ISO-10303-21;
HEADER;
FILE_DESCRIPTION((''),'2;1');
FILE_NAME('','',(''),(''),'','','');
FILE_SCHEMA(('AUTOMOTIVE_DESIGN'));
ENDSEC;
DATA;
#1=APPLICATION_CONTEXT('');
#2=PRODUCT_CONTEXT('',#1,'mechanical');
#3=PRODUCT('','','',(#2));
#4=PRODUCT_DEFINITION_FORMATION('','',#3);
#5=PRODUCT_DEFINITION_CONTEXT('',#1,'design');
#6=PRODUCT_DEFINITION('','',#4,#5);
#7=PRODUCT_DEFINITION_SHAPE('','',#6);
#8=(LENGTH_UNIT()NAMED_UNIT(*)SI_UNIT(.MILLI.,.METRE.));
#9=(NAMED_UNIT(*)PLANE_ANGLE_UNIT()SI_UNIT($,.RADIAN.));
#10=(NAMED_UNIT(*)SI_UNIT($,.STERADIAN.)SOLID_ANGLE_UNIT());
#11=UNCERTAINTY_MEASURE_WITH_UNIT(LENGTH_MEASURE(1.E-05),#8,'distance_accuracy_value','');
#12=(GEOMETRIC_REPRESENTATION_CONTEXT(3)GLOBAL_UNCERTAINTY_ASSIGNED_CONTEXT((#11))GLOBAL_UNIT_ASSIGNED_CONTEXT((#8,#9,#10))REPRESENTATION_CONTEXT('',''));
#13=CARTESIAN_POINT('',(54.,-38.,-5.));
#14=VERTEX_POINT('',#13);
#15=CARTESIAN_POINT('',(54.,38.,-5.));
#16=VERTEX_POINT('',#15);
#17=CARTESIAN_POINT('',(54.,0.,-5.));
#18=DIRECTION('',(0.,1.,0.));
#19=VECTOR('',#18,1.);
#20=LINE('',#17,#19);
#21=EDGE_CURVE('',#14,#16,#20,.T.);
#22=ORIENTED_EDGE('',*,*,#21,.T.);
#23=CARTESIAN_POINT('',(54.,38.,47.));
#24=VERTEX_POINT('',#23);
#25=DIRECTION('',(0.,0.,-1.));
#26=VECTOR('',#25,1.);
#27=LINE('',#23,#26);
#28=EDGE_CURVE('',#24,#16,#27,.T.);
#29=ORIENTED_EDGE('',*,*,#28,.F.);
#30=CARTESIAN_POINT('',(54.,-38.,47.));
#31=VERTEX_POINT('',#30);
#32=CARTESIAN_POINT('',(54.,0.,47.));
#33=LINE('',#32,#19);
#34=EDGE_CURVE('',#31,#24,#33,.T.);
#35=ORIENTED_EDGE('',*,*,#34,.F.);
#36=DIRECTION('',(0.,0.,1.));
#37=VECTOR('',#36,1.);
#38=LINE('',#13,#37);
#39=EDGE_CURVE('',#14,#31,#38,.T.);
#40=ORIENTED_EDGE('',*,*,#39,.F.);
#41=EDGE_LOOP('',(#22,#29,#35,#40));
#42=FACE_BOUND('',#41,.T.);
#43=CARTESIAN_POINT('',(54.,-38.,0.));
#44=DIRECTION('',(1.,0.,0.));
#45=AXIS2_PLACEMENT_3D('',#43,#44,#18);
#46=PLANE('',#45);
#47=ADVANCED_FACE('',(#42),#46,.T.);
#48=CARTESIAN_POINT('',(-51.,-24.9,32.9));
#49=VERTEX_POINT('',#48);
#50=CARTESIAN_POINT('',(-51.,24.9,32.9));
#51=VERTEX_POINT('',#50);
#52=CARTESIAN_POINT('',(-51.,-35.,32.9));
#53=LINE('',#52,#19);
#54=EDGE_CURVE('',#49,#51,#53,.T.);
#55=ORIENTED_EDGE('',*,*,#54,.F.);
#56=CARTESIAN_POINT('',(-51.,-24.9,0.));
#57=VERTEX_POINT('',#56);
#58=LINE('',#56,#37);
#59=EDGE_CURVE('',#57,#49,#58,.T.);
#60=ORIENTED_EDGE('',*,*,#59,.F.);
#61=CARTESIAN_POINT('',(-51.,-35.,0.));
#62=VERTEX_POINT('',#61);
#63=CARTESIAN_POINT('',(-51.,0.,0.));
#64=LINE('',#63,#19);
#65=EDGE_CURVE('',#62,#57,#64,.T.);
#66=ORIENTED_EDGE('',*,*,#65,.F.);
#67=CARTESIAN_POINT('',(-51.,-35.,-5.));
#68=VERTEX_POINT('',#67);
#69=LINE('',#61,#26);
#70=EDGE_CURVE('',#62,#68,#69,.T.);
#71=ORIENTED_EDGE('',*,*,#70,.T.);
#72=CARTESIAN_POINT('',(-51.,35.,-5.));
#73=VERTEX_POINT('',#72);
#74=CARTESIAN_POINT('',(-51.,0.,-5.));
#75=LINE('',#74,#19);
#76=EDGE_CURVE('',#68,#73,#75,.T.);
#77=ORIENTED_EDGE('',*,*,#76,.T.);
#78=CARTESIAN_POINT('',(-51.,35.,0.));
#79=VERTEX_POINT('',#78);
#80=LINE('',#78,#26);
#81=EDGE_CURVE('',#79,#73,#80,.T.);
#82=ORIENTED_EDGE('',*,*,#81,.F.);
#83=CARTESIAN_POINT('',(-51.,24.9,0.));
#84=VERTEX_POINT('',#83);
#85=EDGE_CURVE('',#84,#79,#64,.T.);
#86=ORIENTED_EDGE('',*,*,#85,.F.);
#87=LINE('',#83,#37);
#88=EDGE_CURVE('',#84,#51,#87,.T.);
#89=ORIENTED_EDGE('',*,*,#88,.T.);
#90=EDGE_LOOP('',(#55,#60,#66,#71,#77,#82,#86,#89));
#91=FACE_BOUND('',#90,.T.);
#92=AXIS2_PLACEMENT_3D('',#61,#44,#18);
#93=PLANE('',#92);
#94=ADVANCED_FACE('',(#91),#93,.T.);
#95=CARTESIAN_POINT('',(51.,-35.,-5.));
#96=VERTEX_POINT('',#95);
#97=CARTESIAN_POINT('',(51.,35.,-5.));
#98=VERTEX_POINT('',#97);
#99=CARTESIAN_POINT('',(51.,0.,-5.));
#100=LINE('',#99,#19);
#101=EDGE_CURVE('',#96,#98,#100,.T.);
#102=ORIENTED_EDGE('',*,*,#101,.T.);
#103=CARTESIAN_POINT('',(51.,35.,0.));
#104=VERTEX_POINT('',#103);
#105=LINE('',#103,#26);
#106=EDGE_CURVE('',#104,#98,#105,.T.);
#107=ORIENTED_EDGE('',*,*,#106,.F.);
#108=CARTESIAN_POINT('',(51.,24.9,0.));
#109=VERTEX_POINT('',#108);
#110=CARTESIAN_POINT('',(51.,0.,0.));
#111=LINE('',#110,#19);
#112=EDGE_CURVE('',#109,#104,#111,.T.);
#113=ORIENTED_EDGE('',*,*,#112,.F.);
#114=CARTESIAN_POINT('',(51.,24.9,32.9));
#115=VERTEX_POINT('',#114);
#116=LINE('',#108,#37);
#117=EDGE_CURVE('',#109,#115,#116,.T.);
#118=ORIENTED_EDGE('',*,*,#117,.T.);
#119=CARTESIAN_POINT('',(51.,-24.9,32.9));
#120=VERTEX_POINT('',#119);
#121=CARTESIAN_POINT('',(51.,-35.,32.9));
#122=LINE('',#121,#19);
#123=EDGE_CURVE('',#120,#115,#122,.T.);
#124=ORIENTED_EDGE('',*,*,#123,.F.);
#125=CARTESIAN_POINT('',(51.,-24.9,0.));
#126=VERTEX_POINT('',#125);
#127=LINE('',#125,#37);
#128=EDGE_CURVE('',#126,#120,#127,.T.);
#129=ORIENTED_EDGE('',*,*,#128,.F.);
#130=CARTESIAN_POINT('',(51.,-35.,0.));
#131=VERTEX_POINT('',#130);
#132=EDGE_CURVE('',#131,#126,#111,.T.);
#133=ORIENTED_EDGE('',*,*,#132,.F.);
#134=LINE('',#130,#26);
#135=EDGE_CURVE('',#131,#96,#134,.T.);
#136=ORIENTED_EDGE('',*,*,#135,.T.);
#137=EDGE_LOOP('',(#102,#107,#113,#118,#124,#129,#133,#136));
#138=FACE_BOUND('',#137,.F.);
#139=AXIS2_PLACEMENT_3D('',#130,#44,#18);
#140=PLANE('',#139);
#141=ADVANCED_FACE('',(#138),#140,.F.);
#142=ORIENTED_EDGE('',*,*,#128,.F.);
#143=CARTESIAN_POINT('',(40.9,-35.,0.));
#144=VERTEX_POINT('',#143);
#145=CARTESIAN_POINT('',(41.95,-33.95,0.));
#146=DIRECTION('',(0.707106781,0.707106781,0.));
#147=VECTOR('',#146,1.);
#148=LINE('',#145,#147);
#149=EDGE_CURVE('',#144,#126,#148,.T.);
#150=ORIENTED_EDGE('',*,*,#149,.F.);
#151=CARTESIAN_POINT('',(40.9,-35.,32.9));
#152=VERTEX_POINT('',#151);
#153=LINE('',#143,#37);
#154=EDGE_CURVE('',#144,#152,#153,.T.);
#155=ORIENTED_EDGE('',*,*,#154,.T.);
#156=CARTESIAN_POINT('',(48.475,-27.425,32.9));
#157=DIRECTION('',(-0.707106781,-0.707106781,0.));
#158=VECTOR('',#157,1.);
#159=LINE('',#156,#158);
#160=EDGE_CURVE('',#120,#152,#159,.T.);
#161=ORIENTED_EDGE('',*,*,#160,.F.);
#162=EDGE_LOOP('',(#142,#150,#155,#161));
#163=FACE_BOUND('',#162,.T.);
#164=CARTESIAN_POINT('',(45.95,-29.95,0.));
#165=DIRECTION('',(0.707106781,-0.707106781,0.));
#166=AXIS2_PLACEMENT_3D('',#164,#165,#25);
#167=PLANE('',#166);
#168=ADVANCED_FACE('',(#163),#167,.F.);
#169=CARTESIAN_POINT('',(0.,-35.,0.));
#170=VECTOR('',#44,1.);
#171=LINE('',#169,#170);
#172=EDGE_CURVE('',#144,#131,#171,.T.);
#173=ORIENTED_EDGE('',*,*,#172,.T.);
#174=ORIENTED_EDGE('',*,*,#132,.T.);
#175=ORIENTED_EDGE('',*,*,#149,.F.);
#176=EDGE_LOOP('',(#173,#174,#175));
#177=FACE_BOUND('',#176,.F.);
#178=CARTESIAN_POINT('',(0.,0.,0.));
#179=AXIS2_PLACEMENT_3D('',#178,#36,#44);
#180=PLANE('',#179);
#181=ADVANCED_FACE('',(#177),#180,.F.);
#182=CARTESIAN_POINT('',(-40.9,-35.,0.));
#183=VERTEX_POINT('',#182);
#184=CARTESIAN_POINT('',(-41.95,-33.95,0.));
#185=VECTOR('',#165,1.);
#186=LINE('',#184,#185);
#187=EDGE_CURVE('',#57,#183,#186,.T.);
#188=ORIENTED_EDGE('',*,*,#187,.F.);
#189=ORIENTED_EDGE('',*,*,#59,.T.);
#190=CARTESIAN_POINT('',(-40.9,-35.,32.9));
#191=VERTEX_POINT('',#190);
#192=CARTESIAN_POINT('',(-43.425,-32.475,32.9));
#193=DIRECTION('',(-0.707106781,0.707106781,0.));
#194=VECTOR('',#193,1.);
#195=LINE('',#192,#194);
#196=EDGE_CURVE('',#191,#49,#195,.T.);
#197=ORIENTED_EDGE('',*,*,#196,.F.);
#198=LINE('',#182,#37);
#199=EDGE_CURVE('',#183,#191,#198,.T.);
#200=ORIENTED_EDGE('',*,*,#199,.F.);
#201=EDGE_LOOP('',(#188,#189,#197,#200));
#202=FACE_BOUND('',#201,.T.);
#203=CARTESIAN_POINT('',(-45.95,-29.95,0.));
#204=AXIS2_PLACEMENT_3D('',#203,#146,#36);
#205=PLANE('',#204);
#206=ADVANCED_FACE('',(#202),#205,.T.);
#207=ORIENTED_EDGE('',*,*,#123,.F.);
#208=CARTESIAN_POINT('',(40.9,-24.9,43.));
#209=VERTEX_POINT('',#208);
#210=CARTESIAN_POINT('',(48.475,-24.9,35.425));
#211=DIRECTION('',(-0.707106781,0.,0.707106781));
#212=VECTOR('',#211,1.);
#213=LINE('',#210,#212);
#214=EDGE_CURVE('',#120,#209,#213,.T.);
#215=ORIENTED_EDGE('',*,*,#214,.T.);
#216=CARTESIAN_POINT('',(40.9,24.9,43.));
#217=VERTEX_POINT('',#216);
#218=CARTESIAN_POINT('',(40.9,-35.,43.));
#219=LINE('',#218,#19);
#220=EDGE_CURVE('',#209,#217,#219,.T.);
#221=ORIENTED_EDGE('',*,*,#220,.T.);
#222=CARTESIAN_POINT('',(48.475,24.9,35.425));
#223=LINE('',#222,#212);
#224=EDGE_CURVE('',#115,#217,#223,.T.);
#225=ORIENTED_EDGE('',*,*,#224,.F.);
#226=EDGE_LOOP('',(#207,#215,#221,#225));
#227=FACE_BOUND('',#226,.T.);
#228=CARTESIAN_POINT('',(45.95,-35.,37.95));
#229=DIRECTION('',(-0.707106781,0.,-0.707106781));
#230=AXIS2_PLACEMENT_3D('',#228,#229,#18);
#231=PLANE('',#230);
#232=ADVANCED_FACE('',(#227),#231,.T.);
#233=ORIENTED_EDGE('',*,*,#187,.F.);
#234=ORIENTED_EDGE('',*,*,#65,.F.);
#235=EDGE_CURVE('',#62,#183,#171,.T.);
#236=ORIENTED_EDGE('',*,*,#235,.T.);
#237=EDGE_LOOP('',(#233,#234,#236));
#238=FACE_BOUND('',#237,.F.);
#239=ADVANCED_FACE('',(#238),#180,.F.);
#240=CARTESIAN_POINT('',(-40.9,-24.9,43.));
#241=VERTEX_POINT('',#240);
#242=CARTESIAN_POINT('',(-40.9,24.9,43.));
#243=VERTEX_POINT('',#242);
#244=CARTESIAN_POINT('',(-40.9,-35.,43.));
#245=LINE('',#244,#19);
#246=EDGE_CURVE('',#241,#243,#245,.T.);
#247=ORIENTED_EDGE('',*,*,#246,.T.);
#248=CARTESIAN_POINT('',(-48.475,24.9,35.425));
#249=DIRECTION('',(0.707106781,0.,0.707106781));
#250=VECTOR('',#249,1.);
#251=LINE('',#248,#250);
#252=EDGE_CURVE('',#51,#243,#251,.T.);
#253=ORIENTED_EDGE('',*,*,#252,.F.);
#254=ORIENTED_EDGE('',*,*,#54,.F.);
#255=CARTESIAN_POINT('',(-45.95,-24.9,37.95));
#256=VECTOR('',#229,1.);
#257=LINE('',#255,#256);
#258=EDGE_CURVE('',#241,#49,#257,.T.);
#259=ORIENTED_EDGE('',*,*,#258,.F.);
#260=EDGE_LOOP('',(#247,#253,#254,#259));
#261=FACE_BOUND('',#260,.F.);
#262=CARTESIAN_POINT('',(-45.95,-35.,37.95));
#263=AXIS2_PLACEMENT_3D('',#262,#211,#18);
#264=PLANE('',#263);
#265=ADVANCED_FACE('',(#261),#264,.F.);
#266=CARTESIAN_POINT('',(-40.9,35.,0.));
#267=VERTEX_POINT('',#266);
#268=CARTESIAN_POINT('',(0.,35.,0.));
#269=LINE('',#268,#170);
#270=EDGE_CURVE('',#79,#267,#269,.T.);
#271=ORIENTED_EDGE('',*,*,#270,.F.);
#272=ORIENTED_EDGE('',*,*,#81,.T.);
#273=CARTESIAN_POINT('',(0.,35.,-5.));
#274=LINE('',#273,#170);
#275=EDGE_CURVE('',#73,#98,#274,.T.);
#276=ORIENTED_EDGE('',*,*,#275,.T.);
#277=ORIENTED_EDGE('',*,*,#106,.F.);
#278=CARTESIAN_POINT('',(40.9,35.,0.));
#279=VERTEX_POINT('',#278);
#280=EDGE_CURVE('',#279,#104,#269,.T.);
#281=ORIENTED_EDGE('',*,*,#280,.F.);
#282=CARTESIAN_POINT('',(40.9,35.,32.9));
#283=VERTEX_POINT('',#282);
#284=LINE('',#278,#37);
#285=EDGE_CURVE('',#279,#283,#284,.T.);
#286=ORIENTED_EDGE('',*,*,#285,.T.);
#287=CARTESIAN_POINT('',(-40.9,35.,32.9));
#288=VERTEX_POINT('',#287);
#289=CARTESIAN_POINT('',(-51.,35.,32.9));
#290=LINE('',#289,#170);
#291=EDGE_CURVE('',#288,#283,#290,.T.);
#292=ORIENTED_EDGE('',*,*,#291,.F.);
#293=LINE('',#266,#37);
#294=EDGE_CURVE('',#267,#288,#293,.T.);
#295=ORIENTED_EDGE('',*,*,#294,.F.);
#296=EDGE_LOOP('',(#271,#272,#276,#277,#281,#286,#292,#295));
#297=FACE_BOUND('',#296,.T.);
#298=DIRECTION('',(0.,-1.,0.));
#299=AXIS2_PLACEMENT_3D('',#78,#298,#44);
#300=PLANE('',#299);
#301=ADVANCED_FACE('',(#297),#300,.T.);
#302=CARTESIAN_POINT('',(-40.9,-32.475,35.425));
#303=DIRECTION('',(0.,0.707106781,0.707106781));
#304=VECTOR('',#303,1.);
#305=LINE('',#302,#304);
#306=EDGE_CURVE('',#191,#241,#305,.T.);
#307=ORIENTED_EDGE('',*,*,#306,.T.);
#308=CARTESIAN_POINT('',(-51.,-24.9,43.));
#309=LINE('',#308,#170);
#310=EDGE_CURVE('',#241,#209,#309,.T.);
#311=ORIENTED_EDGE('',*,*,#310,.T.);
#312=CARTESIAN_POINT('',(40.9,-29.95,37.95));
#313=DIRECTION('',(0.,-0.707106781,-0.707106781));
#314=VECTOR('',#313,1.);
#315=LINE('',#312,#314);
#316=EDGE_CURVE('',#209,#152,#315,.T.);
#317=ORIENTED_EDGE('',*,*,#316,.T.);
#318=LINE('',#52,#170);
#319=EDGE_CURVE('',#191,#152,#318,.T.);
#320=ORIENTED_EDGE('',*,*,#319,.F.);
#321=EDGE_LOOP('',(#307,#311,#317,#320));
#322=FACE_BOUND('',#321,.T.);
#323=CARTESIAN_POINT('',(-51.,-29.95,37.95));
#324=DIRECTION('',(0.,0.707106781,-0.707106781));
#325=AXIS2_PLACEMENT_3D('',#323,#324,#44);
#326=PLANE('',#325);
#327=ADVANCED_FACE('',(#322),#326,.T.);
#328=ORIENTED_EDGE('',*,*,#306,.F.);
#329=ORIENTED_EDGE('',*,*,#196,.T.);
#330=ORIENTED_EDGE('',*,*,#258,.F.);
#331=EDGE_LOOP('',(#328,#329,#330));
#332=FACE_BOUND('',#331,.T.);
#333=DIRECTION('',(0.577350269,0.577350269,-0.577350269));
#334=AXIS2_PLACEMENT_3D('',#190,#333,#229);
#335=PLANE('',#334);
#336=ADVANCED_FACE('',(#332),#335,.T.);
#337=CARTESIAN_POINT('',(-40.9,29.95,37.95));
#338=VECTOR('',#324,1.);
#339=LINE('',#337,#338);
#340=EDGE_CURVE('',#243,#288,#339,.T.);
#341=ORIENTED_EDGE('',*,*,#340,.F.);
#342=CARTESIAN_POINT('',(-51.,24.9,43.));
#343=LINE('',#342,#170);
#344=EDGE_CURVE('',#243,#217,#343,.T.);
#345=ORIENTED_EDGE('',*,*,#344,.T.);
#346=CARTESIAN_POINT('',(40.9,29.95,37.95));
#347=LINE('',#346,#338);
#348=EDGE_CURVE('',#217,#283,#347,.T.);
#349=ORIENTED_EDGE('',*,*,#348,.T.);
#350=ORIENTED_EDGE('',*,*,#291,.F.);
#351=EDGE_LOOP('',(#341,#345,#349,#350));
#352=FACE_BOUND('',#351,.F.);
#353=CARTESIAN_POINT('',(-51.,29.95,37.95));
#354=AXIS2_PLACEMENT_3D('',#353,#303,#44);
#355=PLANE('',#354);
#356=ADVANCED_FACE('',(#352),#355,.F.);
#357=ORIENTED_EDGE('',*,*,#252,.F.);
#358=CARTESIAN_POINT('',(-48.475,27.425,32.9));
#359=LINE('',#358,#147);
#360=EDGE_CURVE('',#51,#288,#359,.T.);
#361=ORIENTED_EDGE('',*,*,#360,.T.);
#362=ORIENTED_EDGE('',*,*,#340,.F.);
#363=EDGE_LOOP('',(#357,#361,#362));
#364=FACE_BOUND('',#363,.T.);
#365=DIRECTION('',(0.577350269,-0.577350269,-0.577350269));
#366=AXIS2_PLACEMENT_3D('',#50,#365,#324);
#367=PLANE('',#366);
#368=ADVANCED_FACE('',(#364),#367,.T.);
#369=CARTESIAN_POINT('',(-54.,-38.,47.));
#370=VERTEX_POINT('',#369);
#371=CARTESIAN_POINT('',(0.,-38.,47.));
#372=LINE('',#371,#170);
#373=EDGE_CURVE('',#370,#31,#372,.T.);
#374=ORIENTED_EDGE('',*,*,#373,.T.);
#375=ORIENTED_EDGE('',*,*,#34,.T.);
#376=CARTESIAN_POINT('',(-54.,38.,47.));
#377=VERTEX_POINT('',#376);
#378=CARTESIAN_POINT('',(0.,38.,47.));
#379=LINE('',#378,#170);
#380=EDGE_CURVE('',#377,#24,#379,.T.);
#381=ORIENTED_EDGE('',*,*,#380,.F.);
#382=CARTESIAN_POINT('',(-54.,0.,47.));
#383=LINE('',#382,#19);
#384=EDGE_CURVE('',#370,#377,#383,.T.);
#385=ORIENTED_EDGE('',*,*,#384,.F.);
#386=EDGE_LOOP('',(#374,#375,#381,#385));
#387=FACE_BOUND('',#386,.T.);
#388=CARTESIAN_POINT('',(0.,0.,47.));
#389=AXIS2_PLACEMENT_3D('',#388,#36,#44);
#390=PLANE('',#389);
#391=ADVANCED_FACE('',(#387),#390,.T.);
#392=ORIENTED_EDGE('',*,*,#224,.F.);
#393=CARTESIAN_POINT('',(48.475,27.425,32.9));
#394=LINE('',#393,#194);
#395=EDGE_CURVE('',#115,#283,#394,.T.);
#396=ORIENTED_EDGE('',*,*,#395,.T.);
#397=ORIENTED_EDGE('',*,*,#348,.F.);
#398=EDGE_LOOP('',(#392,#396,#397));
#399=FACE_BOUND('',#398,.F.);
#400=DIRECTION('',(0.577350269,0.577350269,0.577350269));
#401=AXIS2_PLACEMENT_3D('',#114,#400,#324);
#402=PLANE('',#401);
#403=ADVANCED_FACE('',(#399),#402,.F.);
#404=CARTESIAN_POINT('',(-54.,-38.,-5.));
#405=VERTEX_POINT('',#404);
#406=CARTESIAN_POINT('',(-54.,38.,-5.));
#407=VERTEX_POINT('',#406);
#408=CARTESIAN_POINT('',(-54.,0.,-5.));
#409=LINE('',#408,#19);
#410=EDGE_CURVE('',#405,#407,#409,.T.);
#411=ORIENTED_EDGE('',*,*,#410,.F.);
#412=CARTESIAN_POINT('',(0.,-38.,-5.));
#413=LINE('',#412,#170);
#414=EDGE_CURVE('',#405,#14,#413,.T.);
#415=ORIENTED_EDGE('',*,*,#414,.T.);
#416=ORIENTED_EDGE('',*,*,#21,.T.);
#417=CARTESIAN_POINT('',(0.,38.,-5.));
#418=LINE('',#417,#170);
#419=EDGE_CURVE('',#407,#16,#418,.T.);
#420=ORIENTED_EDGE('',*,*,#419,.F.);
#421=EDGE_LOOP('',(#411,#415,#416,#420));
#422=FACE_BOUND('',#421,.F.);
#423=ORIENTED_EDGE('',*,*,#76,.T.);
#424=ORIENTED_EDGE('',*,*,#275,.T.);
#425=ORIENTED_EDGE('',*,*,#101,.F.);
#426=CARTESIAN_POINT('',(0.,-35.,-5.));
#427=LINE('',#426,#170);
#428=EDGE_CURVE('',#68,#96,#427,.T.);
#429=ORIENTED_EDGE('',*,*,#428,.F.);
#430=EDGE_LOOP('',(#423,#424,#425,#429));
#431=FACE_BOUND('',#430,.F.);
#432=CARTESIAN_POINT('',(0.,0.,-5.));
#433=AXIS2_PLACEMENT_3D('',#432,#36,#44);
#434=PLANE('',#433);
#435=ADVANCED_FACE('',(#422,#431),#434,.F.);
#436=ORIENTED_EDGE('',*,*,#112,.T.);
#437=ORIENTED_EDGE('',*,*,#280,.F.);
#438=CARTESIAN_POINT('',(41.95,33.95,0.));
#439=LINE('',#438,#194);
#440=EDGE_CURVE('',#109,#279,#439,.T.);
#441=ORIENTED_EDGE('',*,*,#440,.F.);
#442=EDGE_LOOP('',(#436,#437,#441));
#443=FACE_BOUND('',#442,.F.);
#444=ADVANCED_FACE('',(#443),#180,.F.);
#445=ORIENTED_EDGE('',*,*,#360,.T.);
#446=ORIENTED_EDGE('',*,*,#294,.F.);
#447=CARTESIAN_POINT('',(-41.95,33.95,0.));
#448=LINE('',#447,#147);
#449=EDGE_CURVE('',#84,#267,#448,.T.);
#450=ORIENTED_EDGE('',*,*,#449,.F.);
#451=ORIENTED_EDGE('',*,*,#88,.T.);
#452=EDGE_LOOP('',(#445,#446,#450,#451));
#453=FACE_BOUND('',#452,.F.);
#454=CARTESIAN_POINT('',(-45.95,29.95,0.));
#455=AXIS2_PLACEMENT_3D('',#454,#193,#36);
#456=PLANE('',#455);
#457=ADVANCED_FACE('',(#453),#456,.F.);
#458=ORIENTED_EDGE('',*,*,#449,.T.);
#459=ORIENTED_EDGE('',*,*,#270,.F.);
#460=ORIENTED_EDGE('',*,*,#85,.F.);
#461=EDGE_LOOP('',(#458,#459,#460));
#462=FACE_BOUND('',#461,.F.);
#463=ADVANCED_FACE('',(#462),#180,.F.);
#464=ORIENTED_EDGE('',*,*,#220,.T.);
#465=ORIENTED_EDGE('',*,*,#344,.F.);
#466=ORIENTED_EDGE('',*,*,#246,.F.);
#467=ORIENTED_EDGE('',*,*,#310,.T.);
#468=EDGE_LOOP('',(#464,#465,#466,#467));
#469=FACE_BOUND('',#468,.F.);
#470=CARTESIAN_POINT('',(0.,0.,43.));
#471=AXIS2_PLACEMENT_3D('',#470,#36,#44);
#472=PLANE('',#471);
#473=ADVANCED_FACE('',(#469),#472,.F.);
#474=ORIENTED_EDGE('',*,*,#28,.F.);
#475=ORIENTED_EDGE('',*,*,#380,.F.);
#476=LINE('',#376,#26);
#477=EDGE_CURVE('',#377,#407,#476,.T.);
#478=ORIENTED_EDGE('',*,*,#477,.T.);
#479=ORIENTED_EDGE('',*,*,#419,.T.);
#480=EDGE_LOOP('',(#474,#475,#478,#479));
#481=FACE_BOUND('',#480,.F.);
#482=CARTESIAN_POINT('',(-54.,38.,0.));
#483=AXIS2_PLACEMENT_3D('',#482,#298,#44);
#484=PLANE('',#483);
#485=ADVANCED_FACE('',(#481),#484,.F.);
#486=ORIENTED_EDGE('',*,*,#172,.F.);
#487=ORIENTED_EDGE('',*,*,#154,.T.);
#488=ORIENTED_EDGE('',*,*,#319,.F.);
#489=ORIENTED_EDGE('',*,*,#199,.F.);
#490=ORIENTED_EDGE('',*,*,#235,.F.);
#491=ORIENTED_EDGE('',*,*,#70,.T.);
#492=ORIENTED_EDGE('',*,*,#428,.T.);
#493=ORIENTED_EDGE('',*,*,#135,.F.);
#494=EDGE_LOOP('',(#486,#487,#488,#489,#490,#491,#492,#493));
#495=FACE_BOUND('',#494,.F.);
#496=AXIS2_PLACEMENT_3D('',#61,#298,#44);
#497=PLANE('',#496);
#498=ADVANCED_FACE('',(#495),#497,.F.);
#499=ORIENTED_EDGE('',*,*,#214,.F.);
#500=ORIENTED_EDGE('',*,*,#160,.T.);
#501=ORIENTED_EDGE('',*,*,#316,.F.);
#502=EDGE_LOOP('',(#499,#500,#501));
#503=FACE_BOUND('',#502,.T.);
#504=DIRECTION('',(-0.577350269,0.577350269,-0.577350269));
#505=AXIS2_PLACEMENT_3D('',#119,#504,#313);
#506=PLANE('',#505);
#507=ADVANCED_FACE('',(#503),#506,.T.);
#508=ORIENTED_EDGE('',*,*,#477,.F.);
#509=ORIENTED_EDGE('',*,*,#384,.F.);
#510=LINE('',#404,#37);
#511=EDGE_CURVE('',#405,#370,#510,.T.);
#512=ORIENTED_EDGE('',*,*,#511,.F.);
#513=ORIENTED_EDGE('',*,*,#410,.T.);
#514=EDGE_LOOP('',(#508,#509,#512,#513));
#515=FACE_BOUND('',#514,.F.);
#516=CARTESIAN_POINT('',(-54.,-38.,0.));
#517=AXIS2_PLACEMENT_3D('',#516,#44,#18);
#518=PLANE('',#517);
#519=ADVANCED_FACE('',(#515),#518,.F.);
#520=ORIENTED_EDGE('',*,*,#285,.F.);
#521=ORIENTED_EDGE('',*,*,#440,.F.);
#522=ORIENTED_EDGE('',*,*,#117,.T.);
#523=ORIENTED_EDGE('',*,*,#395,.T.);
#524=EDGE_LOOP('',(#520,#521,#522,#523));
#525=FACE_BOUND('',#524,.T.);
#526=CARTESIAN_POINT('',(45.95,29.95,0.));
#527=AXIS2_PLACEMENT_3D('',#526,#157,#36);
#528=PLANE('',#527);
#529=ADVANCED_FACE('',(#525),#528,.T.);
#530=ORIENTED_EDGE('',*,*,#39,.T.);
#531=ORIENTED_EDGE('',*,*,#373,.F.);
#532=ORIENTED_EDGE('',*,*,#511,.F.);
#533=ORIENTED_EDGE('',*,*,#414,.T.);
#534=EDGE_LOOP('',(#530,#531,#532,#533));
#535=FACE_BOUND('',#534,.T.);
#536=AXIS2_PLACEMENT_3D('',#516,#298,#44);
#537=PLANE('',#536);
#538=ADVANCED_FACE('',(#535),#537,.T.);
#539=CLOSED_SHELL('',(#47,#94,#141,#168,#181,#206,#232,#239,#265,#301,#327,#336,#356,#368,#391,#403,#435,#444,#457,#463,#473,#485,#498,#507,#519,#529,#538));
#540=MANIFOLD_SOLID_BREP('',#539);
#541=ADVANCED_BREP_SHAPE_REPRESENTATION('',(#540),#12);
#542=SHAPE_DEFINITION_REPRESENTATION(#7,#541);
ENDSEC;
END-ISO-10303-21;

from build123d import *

# Parameters (mm, degrees)
F0_W     = 108
F0_H     = 76
F0_W_2   = 102
F0_H_2   = 70
F1_DEPTH = 47
F2_START = 43
F2_DEPTH = 4
F3_SIZE  = 10.1
F4_DEPTH = 5


with BuildPart() as f1:
    # F0 (on Top) → F1 (new body)
    with BuildSketch(Plane.XY):
        Rectangle(F0_W, F0_H)
        Rectangle(F0_W_2, F0_H_2, mode=Mode.SUBTRACT)
    extrude(amount=F1_DEPTH)

    # F0 (on Top) → F2 (join)
    with BuildSketch(Plane.XY.offset(F2_START)):
        Rectangle(F0_W_2, F0_H_2)
    extrude(amount=F2_DEPTH)

    # F3
    f3_edges = [f1.edges().sort_by_distance(p)[0] for p in [
        (0, 35, 43),
        (-51, 0, 43),
        (0, -35, 43),
        (51, 0, 43),
        (51, 35, 21.5),
        (-51, 35, 21.5),
        (-51, -35, 21.5),
        (51, -35, 21.5),
    ]]
    chamfer(f3_edges, length=F3_SIZE)

    # F0 (on Top) → F4 (join)
    with BuildSketch(Plane.XY):
        Rectangle(F0_W, F0_H)
        Rectangle(F0_W_2, F0_H_2, mode=Mode.SUBTRACT)
    extrude(amount=-F4_DEPTH)


solid = f1.part
